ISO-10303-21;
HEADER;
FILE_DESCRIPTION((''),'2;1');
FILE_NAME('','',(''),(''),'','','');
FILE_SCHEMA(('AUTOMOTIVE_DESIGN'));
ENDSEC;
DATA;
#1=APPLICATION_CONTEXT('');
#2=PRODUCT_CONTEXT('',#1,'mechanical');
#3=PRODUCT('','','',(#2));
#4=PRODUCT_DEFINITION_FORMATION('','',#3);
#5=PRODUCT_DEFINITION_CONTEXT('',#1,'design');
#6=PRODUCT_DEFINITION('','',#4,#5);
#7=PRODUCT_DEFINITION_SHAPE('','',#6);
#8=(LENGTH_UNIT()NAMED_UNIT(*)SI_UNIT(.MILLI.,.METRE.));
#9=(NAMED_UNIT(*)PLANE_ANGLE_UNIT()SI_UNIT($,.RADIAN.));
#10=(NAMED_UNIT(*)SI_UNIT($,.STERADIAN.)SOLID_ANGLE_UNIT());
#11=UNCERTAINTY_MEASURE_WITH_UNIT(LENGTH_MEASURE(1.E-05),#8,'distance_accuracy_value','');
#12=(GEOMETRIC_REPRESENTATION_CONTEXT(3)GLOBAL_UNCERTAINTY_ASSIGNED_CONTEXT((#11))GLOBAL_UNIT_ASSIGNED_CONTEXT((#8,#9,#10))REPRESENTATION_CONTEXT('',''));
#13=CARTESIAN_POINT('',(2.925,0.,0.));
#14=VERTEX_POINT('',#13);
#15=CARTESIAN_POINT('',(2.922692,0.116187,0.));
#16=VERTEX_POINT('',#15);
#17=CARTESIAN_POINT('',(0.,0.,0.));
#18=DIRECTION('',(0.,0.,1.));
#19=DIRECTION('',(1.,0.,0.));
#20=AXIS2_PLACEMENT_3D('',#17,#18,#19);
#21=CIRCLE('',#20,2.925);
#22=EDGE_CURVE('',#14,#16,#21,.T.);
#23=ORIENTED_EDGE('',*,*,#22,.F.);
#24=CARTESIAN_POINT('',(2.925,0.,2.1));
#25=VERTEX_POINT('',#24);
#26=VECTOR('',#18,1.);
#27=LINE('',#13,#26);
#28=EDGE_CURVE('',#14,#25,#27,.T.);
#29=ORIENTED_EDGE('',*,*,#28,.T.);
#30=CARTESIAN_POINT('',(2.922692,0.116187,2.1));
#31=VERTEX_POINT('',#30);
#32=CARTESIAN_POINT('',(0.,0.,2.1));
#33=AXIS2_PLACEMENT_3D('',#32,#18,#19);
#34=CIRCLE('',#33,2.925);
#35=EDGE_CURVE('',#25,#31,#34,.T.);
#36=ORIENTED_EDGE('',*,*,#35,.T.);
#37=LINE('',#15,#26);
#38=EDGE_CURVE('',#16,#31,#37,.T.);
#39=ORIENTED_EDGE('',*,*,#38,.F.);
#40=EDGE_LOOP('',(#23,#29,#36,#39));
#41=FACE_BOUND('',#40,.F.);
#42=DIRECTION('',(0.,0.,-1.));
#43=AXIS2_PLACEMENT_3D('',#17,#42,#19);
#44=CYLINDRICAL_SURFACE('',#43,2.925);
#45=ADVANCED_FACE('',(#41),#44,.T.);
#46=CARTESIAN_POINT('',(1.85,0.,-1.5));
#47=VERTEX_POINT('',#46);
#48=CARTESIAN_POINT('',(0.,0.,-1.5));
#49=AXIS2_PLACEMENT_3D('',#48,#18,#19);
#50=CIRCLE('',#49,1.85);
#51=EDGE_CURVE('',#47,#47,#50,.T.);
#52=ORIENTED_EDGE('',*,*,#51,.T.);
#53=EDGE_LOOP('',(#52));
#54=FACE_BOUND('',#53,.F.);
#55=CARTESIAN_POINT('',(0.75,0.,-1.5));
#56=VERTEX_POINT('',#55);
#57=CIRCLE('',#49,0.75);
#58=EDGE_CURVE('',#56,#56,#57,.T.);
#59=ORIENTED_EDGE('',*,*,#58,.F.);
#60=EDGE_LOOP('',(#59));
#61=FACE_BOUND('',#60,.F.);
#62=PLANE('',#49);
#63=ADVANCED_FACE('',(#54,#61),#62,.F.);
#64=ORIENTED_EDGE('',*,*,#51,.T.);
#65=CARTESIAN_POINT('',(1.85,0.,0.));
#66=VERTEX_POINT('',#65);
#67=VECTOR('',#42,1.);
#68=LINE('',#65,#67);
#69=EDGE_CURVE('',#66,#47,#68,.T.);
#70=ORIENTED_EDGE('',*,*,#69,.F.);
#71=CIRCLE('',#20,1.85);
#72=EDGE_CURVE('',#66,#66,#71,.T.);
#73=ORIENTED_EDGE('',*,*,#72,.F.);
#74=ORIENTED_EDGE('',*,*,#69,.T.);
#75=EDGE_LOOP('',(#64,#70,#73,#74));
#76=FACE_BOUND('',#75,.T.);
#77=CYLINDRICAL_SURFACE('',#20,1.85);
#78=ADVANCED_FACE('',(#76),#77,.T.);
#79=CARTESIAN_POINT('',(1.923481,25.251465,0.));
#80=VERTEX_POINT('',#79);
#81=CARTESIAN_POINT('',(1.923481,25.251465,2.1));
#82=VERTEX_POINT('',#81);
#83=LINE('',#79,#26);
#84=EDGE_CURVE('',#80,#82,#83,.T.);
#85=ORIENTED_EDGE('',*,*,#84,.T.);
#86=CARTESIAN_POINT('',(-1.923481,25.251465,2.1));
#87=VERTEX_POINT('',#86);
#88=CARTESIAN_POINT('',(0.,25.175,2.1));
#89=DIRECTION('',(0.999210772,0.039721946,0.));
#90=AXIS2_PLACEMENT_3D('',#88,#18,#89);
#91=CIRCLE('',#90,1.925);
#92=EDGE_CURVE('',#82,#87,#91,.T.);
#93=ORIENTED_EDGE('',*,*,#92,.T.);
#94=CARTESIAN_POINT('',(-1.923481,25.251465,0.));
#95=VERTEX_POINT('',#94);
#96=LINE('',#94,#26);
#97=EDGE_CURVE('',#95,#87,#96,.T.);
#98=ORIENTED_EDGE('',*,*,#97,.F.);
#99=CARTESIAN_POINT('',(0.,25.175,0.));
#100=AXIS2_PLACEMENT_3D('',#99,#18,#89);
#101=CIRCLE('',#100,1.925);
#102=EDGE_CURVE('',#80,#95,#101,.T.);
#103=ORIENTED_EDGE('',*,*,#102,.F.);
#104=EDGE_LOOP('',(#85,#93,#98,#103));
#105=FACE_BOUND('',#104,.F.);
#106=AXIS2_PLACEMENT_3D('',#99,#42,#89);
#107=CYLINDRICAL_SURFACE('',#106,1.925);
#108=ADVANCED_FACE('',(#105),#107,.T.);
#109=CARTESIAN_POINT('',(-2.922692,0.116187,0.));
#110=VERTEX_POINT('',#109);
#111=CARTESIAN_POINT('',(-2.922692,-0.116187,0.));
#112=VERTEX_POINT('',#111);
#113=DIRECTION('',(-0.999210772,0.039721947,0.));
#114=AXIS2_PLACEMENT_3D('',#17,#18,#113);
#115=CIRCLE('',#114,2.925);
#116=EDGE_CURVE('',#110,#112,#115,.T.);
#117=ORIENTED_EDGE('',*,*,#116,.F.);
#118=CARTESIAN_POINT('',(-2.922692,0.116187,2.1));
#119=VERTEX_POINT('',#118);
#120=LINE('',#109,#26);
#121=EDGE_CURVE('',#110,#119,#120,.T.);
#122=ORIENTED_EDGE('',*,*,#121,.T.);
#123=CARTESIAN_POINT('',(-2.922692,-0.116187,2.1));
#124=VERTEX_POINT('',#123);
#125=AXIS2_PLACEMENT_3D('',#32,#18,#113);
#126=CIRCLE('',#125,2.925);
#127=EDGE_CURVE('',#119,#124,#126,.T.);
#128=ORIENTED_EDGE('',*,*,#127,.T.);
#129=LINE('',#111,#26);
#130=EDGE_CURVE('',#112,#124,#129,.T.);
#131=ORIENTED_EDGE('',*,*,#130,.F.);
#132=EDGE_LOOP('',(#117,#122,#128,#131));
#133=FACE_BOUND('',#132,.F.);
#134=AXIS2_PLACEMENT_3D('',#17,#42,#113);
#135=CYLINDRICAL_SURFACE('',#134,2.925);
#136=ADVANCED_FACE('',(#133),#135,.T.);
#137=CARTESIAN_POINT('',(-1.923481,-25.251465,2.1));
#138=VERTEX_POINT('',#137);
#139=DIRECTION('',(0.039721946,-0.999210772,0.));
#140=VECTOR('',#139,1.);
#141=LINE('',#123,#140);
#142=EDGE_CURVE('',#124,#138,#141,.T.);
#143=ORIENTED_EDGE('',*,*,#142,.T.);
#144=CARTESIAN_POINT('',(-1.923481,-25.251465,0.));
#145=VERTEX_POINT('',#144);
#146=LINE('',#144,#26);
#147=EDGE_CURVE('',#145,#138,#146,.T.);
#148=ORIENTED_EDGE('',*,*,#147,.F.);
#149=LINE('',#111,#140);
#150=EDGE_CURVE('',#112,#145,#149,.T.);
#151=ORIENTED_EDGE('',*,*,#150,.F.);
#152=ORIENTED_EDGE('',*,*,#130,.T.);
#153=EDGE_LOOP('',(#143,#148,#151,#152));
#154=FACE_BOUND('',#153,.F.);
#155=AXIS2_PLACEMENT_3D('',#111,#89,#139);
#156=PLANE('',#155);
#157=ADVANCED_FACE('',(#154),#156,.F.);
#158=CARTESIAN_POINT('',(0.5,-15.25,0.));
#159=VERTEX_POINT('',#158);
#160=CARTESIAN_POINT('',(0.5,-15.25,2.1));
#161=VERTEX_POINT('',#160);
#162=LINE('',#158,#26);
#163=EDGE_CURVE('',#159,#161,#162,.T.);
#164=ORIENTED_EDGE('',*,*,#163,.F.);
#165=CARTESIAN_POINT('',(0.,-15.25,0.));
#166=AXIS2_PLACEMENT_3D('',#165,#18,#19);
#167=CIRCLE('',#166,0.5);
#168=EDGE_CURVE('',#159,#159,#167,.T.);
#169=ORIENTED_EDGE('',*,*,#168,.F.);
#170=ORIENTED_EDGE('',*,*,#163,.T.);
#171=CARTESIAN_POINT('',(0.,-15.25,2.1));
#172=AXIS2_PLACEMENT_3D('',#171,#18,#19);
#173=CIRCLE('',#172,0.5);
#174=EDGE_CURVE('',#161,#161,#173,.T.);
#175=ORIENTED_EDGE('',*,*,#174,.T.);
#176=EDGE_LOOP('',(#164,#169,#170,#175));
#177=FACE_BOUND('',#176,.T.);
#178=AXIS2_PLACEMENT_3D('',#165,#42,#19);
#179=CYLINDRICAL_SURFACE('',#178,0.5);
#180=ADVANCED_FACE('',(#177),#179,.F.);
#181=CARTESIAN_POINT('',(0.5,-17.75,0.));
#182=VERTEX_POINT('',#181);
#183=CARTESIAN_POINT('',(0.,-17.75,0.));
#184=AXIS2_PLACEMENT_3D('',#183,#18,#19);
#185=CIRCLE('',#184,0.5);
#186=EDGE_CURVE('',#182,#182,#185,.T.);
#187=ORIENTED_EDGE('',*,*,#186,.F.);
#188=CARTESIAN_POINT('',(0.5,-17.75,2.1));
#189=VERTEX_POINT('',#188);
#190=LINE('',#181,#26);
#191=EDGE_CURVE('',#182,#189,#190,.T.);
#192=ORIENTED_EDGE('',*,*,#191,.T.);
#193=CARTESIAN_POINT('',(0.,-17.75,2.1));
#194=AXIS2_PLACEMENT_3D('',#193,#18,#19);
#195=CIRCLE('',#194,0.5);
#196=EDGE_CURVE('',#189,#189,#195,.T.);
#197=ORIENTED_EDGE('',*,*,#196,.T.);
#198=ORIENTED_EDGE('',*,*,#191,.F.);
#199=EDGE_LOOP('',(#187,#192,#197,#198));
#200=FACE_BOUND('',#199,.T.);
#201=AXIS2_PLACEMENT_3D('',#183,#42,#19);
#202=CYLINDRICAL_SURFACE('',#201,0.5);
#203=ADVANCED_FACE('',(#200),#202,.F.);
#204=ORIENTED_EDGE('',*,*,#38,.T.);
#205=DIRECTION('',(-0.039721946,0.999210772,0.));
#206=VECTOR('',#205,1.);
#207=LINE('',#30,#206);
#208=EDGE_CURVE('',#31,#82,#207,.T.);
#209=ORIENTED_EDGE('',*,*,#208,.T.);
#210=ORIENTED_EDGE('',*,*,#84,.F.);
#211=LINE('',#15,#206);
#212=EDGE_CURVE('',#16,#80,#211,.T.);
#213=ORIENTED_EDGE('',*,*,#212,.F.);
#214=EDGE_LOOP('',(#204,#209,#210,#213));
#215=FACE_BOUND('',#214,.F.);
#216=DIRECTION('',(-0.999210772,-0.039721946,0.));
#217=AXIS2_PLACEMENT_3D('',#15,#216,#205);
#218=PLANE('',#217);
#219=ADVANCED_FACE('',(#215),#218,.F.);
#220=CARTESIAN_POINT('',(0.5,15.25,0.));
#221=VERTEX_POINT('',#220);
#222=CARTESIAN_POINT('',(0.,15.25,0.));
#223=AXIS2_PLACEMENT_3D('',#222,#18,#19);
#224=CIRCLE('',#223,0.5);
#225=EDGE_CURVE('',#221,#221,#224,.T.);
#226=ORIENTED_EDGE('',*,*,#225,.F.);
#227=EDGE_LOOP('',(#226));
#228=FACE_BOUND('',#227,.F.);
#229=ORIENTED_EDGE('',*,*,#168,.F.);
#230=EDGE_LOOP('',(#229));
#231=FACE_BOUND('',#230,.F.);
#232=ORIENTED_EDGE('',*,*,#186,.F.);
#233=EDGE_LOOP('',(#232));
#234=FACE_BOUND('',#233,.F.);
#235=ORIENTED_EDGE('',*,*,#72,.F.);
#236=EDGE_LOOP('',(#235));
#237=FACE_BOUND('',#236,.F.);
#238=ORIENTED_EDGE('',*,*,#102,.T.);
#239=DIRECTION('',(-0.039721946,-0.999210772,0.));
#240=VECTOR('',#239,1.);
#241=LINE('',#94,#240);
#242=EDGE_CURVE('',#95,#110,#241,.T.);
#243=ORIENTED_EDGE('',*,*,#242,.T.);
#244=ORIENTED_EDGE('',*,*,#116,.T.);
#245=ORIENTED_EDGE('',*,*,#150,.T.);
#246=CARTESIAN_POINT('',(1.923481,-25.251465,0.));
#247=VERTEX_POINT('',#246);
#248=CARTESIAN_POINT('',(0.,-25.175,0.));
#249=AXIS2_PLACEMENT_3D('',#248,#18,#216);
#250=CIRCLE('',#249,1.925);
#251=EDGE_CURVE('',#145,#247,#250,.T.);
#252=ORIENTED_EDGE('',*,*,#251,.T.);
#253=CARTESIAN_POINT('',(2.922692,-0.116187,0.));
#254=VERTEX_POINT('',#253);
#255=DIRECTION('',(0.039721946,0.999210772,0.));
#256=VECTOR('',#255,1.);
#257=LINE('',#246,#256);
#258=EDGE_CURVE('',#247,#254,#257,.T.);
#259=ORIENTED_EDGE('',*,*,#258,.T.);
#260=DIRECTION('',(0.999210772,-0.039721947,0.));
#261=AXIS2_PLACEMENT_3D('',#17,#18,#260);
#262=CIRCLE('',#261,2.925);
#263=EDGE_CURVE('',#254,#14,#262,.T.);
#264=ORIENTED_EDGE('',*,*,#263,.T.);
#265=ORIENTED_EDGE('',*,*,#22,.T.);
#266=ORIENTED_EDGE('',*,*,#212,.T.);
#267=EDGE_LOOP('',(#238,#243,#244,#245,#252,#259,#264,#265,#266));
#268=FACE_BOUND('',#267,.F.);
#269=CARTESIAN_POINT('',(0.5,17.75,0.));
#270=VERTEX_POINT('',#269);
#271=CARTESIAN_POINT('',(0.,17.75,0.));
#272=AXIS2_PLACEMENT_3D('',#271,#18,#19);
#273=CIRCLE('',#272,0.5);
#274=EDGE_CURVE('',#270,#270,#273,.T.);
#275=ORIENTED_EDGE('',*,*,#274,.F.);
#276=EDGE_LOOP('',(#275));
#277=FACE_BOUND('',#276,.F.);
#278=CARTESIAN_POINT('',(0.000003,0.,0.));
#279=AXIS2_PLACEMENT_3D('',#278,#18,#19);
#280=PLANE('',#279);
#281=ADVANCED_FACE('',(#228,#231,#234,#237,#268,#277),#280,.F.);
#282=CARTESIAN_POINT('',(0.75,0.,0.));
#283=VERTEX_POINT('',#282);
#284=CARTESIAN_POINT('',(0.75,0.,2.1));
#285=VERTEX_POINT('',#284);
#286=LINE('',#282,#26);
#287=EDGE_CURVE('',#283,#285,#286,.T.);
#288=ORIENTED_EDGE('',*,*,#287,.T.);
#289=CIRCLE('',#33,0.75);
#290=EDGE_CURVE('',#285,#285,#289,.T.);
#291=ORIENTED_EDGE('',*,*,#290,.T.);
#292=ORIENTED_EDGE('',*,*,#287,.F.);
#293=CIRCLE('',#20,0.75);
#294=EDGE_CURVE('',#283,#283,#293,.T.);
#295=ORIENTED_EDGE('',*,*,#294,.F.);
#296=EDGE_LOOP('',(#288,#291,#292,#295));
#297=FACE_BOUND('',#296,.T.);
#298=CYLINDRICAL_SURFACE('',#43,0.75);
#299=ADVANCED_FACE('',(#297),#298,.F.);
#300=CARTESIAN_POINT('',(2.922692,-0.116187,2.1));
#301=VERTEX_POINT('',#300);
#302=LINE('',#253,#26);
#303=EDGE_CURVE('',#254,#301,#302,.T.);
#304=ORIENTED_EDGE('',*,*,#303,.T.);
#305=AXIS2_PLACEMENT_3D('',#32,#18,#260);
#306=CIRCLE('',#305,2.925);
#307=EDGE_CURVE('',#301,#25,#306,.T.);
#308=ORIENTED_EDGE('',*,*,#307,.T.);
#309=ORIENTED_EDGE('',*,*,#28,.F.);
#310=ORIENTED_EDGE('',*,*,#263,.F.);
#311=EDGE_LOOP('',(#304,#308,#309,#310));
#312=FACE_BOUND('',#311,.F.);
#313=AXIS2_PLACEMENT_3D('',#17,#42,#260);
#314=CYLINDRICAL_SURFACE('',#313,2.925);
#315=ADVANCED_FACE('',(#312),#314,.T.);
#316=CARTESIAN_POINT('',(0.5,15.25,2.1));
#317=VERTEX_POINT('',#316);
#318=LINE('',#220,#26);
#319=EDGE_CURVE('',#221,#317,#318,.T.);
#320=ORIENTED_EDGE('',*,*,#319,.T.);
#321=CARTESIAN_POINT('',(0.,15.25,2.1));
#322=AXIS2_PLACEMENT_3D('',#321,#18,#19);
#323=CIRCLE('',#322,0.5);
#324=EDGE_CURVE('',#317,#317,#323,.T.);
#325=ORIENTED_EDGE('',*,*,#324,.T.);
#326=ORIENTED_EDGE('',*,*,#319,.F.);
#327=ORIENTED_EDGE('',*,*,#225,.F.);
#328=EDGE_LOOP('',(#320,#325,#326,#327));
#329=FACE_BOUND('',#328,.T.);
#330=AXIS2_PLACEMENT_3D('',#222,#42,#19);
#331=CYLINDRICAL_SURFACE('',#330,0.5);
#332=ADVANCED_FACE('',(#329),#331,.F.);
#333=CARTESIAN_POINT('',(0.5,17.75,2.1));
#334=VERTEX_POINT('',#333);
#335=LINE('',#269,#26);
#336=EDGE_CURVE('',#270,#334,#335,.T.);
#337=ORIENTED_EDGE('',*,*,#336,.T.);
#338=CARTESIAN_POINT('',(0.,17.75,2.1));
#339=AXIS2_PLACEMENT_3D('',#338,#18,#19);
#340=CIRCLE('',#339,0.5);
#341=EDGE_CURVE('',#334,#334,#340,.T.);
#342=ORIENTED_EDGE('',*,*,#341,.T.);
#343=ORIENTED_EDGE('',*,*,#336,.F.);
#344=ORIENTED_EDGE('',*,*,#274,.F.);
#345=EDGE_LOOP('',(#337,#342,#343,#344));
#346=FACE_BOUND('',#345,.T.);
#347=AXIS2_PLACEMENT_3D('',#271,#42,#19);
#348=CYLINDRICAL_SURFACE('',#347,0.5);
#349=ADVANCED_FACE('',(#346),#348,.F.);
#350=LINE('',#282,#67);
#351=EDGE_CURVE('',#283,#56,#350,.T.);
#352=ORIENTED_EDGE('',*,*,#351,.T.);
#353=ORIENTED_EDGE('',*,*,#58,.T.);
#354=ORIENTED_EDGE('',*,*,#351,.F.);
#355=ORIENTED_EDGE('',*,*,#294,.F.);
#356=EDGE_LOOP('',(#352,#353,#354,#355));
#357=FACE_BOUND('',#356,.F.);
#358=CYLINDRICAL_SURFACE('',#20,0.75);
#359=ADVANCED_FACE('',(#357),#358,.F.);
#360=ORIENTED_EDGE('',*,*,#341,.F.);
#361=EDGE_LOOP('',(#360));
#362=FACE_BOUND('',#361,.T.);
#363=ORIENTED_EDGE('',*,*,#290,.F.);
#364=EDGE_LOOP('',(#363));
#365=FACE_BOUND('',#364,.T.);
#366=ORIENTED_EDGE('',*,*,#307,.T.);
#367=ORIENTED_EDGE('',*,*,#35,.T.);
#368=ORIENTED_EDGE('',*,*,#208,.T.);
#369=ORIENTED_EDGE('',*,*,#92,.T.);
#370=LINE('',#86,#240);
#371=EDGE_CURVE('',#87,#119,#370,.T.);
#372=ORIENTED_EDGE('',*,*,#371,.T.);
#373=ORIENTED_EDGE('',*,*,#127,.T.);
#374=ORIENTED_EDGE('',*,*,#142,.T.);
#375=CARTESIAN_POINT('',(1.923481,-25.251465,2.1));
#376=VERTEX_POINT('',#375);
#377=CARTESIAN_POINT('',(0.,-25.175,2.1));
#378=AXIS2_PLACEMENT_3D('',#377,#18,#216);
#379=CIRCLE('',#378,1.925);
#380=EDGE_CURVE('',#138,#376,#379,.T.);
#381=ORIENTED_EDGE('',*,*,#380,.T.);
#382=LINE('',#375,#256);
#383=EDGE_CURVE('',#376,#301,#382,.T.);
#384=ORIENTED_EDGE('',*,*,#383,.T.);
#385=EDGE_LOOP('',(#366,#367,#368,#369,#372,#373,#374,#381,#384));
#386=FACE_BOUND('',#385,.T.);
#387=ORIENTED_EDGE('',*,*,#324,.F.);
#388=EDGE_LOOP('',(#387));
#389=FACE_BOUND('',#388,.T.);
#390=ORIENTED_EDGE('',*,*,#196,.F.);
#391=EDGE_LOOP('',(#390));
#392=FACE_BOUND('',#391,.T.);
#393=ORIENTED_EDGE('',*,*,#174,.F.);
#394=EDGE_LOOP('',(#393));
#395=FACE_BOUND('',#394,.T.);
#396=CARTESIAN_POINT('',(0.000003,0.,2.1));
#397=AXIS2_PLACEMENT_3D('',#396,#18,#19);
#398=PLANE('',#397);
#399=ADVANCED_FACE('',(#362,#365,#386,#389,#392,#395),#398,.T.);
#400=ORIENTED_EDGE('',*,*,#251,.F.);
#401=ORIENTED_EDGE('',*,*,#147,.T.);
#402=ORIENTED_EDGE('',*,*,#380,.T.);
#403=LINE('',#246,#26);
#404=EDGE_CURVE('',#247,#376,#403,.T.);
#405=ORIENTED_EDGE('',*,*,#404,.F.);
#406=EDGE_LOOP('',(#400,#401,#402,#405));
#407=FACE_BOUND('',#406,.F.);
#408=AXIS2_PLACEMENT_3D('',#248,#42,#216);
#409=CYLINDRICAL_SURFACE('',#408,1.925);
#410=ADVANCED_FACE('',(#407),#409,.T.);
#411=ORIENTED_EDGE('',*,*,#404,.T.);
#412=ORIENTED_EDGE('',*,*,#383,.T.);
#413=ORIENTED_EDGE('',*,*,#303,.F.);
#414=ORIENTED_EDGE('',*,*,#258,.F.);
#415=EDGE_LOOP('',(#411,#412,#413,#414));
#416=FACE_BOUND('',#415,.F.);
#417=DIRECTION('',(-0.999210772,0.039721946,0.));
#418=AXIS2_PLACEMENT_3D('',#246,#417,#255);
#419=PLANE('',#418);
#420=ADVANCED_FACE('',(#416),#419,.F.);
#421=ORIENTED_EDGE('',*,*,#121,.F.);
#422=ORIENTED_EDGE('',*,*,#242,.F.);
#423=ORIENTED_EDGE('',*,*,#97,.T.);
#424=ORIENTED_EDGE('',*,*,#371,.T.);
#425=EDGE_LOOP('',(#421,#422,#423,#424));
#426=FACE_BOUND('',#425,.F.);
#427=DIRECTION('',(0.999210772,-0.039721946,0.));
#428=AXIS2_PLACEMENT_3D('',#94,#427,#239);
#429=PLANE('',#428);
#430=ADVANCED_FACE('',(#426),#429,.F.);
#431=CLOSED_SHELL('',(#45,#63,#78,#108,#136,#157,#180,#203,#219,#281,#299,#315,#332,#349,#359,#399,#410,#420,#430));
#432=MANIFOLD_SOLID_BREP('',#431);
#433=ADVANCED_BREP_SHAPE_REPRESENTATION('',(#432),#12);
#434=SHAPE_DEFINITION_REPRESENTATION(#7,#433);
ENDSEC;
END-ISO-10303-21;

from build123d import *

# Parameters (mm, degrees)
F0_R     = 0.75
F0_R_2   = 0.5
F1_DEPTH = 2.1
F2_R     = 1.85
F2_R_2   = 0.75
F3_DEPTH = 1.5


with BuildPart() as f1:
    # F0 (on Top) → F1 (new body)
    with BuildSketch(Plane.XY):
        with BuildLine():
            ThreePointArc((2.9226915082, -0.1161866931), (2.9244228201, -0.0581048122), (2.925, 0))
            ThreePointArc((2.925, 0), (2.9244228201, 0.0581048122), (2.9226915082, 0.1161866931))
            ThreePointArc((2.9226915082, 0.1161866931), (0, 2.925), (-2.9226915082, 0.1161866931))
            ThreePointArc((-2.9226915082, 0.1161866931), (-2.925, 0), (-2.9226915082, -0.1161866931))
            ThreePointArc((-2.9226915082, -0.1161866931), (0, -2.925), (2.9226915082, -0.1161866931))
        make_face()
        Circle(F0_R, mode=Mode.SUBTRACT)
        with BuildLine():
            ThreePointArc((-2.9226915082, 0.1161866931), (0, 2.925), (2.9226915082, 0.1161866931))
            Line((2.9226915082, 0.1161866931), (1.9234807362, 25.2514647468))
            ThreePointArc((1.9234807362, 25.2514647468), (1.9246201466, 25.2132399191), (1.925, 25.175))
            ThreePointArc((1.925, 25.175), (-0.0382399191, 23.2503798534), (-1.9234807362, 25.2514647468))
            Line((-1.9234807362, 25.2514647468), (-2.9226915082, 0.1161866931))
        make_face()
        with Locations((0, 15.25)):
            Circle(F0_R_2, mode=Mode.SUBTRACT)
        with Locations((0, 17.75)):
            Circle(F0_R_2, mode=Mode.SUBTRACT)
        with BuildLine():
            Line((1.9234807362, -25.2514647468), (2.9226915082, -0.1161866931))
            ThreePointArc((2.9226915082, -0.1161866931), (0, -2.925), (-2.9226915082, -0.1161866931))
            Line((-2.9226915082, -0.1161866931), (-1.9234807362, -25.2514647468))
            ThreePointArc((-1.9234807362, -25.2514647468), (-0.0382399191, -23.2503798534), (1.925, -25.175))
            ThreePointArc((1.925, -25.175), (1.9246201466, -25.2132399191), (1.9234807362, -25.2514647468))
        make_face()
        with Locations((0, -17.75)):
            Circle(F0_R_2, mode=Mode.SUBTRACT)
        with Locations((0, -15.25)):
            Circle(F0_R_2, mode=Mode.SUBTRACT)
        with BuildLine():
            ThreePointArc((1.925, 25.175), (1.9246201466, 25.2132399191), (1.9234807362, 25.2514647468))
            ThreePointArc((1.9234807362, 25.2514647468), (0, 27.1), (-1.9234807362, 25.2514647468))
            ThreePointArc((-1.9234807362, 25.2514647468), (-0.0382399191, 23.2503798534), (1.925, 25.175))
        make_face()
        with BuildLine():
            ThreePointArc((-1.9234807362, -25.2514647468), (0, -27.1), (1.9234807362, -25.2514647468))
            ThreePointArc((1.9234807362, -25.2514647468), (1.9246201466, -25.2132399191), (1.925, -25.175))
            ThreePointArc((1.925, -25.175), (-0.0382399191, -23.2503798534), (-1.9234807362, -25.2514647468))
        make_face()
    extrude(amount=F1_DEPTH)

    # F2 (on face) → F3 (join)
    with BuildSketch(Plane.XY):
        Circle(F2_R)
        Circle(F2_R_2, mode=Mode.SUBTRACT)
    extrude(amount=-F3_DEPTH)


solid = f1.part
